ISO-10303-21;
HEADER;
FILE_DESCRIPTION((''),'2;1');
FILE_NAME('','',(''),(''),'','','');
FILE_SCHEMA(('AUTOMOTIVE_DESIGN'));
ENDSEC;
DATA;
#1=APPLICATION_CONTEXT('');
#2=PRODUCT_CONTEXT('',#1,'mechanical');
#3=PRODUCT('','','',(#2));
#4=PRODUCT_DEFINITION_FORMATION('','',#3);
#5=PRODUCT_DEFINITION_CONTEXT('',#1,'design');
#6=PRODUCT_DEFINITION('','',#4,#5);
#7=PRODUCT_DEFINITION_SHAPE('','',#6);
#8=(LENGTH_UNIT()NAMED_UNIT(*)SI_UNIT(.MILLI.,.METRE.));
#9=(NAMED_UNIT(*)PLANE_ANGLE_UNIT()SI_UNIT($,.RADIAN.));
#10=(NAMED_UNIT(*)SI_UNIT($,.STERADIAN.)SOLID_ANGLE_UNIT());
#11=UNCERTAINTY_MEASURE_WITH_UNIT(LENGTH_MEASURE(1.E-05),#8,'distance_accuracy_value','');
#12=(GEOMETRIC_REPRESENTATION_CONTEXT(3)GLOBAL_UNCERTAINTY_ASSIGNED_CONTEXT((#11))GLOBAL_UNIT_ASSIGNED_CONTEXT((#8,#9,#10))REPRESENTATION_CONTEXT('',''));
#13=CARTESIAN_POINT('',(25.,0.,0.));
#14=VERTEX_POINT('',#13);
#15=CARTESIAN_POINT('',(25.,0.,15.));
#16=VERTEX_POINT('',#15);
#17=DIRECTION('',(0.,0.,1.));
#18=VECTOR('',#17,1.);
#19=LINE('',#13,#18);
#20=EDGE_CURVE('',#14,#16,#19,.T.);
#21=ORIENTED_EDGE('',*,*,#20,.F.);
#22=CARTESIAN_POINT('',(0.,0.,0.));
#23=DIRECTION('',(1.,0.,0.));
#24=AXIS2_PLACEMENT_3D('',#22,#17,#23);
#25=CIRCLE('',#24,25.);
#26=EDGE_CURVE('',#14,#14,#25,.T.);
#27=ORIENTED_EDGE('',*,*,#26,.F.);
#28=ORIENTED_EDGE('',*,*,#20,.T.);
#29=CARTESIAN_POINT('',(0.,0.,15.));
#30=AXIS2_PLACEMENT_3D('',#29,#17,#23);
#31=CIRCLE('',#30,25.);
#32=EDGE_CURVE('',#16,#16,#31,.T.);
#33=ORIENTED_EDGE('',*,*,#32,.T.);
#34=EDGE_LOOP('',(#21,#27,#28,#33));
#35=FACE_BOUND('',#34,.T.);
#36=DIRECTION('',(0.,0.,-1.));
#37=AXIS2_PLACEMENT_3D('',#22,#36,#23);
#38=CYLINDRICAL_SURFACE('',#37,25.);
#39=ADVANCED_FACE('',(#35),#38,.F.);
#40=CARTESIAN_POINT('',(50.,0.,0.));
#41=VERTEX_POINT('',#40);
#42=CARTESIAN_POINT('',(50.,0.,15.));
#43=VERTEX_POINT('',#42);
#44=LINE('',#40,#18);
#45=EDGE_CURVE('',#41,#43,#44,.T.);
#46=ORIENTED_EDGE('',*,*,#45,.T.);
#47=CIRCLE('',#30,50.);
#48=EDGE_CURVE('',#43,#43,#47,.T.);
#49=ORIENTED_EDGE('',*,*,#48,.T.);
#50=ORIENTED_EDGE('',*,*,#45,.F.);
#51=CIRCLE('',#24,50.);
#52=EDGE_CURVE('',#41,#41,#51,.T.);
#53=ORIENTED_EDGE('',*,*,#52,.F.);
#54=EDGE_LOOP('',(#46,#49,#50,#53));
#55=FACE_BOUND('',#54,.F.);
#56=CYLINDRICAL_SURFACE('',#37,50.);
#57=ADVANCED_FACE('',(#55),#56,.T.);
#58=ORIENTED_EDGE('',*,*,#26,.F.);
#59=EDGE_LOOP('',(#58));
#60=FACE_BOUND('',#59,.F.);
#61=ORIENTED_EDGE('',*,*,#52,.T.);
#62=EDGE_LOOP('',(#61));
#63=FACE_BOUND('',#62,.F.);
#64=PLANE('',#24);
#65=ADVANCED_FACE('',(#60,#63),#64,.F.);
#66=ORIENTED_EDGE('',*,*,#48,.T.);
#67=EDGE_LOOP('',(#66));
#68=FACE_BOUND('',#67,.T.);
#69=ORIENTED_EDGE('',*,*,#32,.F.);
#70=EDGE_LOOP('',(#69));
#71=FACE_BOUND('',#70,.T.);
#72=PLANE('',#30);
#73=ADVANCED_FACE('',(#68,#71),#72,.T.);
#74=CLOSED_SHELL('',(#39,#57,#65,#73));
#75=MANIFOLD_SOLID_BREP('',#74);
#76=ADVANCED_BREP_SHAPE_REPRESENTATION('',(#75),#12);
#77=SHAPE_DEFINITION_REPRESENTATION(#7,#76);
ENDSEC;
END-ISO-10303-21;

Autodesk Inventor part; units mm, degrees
ref_plane "YZ Plane" through (0, 0, 0) normal (1, 0, 0) x (0, 1, 0)
ref_plane "XZ Plane" through (0, 0, 0) normal (0, 1, 0) x (-1, 0, 0)
sketch "Sketch1" plane through (0, 0, 0) normal (0, 0, 1) x (1, 0, 0)
  circle A0 centre (0, 0) radius 50
  circle A1 centre (0, 0) radius 4
  circle A2 centre (0, 0) radius 25
  circle A3 centre (0, 0) radius 29 construction
  dimension "d0" = 100
  dimension "d1" = 8
  dimension "d2" = 50
  dimension "d3" = 58
extrude "Extrusion1" add sketch "Sketch1" along normal blind 15 contours A0
properties part number "Base-veios"
